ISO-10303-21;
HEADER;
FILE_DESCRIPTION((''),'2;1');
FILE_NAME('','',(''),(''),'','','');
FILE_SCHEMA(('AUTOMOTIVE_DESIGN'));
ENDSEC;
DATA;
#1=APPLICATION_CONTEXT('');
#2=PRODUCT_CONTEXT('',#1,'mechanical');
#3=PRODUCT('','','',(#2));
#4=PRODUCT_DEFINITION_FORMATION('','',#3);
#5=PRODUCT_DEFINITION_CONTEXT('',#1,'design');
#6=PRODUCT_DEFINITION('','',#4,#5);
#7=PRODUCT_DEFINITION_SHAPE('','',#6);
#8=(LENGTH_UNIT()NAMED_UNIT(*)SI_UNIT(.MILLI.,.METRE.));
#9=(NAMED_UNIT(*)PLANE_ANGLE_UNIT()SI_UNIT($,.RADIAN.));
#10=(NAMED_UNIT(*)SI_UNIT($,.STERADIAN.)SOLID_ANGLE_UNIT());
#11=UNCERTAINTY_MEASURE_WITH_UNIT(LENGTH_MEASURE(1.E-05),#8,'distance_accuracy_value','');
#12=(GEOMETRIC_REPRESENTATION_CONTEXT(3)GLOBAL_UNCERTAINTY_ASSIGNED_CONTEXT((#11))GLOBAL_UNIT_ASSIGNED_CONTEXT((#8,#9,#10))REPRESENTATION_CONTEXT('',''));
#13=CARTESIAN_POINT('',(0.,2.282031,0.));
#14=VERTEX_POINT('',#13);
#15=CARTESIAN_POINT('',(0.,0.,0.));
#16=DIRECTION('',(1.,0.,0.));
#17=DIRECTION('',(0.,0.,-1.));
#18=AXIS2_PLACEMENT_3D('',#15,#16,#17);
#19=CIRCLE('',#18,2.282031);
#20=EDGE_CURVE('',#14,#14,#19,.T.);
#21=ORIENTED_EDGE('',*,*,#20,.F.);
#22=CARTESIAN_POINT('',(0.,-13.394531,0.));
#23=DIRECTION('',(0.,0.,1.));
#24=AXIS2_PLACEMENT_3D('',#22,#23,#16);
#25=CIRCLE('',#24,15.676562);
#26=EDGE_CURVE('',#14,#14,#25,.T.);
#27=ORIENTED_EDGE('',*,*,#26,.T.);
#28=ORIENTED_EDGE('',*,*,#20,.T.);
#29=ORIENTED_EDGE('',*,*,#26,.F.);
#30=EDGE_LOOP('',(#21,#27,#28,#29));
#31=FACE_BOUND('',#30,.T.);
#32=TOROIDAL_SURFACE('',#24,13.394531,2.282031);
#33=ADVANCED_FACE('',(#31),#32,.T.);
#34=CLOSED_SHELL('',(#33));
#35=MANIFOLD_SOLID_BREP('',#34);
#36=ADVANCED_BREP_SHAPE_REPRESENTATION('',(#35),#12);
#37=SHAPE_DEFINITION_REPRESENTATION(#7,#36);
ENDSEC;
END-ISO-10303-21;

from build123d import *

# Parameters (mm, degrees)
SKETCH1_R = 2.28203125


with BuildPart() as part:
    # Sweep1: sweep along a path in Sketch2
    with BuildLine(Plane.XY) as sweep1_path:
        CenterArc((0, -13.39453125), 13.39453125, 0, 360)
    # Sketch1 → Sweep1 (sweep)
    with BuildSketch(Plane(origin=(0, 0, 0), x_dir=(0, 0, -1), z_dir=(1, 0, 0))):
        Circle(SKETCH1_R)
    sweep(path=sweep1_path.line)


solid = part.part
